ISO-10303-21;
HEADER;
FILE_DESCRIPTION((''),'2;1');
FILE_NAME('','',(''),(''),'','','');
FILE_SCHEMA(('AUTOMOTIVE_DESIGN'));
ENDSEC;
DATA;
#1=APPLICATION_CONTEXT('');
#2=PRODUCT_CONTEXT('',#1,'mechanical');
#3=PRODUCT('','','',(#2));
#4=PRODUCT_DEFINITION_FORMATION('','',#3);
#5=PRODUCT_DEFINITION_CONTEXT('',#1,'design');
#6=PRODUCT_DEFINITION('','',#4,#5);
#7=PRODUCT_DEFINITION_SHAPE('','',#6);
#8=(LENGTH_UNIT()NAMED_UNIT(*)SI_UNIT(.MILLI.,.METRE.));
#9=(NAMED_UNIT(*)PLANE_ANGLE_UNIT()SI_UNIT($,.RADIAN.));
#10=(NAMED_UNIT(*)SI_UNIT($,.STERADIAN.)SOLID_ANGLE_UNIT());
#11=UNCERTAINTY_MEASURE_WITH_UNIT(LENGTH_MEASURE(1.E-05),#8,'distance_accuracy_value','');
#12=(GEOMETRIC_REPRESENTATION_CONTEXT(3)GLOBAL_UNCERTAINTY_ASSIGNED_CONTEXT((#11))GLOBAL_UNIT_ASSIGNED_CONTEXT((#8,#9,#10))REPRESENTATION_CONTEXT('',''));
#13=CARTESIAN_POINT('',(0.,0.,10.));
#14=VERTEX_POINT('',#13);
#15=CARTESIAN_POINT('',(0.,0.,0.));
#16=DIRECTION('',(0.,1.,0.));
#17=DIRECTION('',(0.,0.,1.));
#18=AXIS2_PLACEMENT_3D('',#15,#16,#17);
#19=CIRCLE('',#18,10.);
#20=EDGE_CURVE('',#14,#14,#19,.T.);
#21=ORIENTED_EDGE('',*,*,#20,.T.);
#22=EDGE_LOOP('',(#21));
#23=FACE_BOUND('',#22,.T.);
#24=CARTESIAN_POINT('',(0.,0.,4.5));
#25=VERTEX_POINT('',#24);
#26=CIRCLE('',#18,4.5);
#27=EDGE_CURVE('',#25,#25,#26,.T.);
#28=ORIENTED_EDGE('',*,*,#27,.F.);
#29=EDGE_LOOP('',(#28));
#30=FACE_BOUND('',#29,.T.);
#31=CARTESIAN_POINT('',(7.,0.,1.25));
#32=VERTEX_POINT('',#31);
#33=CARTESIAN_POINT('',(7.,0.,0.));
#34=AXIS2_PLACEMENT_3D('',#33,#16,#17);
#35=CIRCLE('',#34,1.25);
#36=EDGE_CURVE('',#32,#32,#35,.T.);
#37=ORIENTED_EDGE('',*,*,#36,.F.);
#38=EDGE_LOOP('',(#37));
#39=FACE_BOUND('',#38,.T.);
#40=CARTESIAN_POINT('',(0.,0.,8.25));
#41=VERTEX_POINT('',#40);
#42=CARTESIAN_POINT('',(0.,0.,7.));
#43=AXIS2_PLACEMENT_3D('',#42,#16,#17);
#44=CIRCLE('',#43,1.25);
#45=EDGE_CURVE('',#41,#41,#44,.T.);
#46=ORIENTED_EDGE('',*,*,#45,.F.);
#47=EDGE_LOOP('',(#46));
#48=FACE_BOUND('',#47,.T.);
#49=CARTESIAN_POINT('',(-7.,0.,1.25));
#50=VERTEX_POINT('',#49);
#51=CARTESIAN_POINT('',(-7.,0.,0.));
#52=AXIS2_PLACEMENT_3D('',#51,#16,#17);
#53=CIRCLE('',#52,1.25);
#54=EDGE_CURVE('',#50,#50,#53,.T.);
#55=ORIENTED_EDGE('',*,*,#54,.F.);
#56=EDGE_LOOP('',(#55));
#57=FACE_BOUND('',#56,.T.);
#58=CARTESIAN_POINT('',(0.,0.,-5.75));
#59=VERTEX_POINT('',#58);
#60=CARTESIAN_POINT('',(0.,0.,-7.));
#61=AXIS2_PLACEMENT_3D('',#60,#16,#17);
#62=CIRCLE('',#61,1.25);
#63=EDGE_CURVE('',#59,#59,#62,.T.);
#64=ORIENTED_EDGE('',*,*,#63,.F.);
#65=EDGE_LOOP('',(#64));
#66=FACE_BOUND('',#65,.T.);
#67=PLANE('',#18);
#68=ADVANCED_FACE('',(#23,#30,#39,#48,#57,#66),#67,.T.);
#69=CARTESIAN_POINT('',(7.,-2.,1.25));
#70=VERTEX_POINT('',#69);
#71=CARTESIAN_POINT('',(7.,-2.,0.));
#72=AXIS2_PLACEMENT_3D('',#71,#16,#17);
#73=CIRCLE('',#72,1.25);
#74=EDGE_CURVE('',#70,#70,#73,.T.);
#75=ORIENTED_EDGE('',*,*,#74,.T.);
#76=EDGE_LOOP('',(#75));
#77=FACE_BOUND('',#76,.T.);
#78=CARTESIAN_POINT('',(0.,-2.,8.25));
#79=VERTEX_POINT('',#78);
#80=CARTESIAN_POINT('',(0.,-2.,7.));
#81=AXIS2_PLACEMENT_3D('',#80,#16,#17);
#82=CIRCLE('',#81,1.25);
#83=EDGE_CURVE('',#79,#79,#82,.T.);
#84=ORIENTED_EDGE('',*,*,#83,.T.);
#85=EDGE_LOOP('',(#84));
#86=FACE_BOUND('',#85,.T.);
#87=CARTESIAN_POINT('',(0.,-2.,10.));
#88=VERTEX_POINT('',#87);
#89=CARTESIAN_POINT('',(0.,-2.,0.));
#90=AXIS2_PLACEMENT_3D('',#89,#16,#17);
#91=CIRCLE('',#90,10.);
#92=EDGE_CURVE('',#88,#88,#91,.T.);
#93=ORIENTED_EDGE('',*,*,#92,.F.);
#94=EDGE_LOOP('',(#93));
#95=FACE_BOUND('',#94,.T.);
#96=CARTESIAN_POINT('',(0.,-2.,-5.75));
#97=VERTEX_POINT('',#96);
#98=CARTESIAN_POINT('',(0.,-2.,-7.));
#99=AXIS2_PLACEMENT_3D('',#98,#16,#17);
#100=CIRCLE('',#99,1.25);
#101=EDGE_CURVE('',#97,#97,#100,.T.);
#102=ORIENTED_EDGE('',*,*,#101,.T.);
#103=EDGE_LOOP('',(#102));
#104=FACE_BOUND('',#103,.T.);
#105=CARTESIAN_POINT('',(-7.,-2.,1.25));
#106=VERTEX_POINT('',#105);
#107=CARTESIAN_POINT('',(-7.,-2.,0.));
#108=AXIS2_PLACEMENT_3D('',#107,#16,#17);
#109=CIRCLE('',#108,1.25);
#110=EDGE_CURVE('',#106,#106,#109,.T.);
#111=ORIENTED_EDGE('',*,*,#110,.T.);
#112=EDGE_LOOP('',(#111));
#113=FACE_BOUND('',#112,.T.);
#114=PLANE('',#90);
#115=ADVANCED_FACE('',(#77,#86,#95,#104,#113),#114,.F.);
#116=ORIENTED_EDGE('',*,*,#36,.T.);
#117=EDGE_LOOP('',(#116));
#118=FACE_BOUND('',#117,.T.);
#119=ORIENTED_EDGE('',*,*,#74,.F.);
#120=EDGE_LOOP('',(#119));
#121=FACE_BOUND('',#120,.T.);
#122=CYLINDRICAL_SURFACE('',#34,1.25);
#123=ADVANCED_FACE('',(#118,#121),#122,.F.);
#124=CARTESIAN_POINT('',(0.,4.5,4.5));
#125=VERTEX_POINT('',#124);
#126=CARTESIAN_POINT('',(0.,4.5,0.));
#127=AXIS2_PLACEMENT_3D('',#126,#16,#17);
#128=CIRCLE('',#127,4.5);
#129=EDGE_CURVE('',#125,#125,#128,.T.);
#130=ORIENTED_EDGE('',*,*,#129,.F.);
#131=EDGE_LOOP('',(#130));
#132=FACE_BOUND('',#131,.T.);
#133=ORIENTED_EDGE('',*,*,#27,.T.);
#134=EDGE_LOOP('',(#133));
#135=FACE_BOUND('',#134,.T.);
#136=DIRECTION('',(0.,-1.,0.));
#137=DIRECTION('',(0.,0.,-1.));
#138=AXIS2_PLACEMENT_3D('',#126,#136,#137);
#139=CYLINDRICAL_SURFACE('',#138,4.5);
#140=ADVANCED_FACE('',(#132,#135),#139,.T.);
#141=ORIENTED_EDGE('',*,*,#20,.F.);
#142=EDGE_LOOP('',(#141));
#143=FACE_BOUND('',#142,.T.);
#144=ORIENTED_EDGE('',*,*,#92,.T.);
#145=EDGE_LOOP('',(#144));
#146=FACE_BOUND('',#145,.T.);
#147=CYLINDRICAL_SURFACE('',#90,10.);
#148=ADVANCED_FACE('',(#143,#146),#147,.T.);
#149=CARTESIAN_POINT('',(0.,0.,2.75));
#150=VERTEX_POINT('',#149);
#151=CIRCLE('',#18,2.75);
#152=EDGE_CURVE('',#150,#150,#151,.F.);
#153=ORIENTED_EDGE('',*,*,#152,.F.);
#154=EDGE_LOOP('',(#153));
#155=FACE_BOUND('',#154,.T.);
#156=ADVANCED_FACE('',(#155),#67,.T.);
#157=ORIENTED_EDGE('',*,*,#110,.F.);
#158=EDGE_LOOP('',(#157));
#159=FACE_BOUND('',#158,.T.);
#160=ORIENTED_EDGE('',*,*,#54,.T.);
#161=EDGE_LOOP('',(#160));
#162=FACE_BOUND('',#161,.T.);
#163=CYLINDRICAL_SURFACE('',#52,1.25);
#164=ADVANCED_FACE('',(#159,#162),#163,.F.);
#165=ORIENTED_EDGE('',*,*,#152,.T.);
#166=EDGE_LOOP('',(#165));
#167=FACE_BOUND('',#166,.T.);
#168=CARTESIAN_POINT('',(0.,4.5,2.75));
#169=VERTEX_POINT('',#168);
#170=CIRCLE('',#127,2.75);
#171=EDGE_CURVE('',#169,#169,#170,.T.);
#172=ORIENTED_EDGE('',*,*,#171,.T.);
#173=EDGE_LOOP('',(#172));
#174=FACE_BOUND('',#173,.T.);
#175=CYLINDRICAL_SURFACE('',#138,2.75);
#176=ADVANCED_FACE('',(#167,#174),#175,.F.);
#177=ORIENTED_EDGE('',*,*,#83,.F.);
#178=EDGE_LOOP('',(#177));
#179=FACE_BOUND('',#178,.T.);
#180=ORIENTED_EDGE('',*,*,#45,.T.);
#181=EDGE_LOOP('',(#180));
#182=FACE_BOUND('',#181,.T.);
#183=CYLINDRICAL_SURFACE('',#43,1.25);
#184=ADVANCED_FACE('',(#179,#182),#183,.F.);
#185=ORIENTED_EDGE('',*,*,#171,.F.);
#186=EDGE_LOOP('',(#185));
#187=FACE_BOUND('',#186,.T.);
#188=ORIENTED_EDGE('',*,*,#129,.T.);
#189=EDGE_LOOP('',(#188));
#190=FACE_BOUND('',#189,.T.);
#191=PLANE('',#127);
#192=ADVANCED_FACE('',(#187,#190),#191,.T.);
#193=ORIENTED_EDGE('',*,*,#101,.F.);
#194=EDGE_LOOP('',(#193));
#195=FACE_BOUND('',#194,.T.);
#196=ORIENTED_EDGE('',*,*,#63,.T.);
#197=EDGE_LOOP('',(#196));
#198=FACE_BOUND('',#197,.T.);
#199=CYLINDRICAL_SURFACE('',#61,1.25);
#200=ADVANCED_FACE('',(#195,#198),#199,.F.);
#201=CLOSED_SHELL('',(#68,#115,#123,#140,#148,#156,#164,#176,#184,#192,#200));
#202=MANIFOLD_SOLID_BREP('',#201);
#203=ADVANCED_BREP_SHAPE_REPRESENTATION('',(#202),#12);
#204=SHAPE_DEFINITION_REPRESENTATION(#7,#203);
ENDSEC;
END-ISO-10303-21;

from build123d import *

# Parameters (mm, degrees)
SKETCH2_R           = 10
BOSS_EXTRUDE1_DEPTH = 2
SKETCH2_3_R         = 4.5
SKETCH2_3_R_2       = 2.75
BOSS_EXTRUDE2_DEPTH = 4.5
CIRPATTERN1_COUNT   = 4


with BuildPart() as part:
    # Sketch2 → Boss-Extrude1 (new body)
    with BuildSketch(Plane(origin=(0, 0, 0), x_dir=(1, 0, 0), z_dir=(0, 1, 0))):
        Circle(SKETCH2_R)
    extrude(amount=-BOSS_EXTRUDE1_DEPTH)

    # Sketch2<3> → Boss-Extrude2 (add)
    with BuildSketch(Plane(origin=(0, 0, 0), x_dir=(1, 0, 0), z_dir=(0, 1, 0))):
        Circle(SKETCH2_3_R)
        Circle(SKETCH2_3_R_2, mode=Mode.SUBTRACT)
    extrude(amount=BOSS_EXTRUDE2_DEPTH)

    # Sketch5 → Tap Drill for M3x0.5 Tap1 (revolve, cut)
    with BuildSketch(Plane(origin=(0, 0, -7), x_dir=(0, 0, 1), z_dir=(1, 0, 0))):
        Polygon((0, 0), (0, 10.911075774), (1.25, 10.16), (1.25, 0), align=None)
    tap_drill_for_m3x0_5_tap1 = revolve(axis=Axis((0, 6.35, -7), (0, -1, 0)), mode=Mode.SUBTRACT)

    # CirPattern1: Tap Drill for M3x0.5 Tap1 ×4 about axis
    cirpattern1_axis = Axis((0, -2, 0), (0, 1, 0))
    for i in range(1, CIRPATTERN1_COUNT):
        add(tap_drill_for_m3x0_5_tap1.rotate(cirpattern1_axis, i * 360 / CIRPATTERN1_COUNT), mode=Mode.SUBTRACT)


solid = part.part
